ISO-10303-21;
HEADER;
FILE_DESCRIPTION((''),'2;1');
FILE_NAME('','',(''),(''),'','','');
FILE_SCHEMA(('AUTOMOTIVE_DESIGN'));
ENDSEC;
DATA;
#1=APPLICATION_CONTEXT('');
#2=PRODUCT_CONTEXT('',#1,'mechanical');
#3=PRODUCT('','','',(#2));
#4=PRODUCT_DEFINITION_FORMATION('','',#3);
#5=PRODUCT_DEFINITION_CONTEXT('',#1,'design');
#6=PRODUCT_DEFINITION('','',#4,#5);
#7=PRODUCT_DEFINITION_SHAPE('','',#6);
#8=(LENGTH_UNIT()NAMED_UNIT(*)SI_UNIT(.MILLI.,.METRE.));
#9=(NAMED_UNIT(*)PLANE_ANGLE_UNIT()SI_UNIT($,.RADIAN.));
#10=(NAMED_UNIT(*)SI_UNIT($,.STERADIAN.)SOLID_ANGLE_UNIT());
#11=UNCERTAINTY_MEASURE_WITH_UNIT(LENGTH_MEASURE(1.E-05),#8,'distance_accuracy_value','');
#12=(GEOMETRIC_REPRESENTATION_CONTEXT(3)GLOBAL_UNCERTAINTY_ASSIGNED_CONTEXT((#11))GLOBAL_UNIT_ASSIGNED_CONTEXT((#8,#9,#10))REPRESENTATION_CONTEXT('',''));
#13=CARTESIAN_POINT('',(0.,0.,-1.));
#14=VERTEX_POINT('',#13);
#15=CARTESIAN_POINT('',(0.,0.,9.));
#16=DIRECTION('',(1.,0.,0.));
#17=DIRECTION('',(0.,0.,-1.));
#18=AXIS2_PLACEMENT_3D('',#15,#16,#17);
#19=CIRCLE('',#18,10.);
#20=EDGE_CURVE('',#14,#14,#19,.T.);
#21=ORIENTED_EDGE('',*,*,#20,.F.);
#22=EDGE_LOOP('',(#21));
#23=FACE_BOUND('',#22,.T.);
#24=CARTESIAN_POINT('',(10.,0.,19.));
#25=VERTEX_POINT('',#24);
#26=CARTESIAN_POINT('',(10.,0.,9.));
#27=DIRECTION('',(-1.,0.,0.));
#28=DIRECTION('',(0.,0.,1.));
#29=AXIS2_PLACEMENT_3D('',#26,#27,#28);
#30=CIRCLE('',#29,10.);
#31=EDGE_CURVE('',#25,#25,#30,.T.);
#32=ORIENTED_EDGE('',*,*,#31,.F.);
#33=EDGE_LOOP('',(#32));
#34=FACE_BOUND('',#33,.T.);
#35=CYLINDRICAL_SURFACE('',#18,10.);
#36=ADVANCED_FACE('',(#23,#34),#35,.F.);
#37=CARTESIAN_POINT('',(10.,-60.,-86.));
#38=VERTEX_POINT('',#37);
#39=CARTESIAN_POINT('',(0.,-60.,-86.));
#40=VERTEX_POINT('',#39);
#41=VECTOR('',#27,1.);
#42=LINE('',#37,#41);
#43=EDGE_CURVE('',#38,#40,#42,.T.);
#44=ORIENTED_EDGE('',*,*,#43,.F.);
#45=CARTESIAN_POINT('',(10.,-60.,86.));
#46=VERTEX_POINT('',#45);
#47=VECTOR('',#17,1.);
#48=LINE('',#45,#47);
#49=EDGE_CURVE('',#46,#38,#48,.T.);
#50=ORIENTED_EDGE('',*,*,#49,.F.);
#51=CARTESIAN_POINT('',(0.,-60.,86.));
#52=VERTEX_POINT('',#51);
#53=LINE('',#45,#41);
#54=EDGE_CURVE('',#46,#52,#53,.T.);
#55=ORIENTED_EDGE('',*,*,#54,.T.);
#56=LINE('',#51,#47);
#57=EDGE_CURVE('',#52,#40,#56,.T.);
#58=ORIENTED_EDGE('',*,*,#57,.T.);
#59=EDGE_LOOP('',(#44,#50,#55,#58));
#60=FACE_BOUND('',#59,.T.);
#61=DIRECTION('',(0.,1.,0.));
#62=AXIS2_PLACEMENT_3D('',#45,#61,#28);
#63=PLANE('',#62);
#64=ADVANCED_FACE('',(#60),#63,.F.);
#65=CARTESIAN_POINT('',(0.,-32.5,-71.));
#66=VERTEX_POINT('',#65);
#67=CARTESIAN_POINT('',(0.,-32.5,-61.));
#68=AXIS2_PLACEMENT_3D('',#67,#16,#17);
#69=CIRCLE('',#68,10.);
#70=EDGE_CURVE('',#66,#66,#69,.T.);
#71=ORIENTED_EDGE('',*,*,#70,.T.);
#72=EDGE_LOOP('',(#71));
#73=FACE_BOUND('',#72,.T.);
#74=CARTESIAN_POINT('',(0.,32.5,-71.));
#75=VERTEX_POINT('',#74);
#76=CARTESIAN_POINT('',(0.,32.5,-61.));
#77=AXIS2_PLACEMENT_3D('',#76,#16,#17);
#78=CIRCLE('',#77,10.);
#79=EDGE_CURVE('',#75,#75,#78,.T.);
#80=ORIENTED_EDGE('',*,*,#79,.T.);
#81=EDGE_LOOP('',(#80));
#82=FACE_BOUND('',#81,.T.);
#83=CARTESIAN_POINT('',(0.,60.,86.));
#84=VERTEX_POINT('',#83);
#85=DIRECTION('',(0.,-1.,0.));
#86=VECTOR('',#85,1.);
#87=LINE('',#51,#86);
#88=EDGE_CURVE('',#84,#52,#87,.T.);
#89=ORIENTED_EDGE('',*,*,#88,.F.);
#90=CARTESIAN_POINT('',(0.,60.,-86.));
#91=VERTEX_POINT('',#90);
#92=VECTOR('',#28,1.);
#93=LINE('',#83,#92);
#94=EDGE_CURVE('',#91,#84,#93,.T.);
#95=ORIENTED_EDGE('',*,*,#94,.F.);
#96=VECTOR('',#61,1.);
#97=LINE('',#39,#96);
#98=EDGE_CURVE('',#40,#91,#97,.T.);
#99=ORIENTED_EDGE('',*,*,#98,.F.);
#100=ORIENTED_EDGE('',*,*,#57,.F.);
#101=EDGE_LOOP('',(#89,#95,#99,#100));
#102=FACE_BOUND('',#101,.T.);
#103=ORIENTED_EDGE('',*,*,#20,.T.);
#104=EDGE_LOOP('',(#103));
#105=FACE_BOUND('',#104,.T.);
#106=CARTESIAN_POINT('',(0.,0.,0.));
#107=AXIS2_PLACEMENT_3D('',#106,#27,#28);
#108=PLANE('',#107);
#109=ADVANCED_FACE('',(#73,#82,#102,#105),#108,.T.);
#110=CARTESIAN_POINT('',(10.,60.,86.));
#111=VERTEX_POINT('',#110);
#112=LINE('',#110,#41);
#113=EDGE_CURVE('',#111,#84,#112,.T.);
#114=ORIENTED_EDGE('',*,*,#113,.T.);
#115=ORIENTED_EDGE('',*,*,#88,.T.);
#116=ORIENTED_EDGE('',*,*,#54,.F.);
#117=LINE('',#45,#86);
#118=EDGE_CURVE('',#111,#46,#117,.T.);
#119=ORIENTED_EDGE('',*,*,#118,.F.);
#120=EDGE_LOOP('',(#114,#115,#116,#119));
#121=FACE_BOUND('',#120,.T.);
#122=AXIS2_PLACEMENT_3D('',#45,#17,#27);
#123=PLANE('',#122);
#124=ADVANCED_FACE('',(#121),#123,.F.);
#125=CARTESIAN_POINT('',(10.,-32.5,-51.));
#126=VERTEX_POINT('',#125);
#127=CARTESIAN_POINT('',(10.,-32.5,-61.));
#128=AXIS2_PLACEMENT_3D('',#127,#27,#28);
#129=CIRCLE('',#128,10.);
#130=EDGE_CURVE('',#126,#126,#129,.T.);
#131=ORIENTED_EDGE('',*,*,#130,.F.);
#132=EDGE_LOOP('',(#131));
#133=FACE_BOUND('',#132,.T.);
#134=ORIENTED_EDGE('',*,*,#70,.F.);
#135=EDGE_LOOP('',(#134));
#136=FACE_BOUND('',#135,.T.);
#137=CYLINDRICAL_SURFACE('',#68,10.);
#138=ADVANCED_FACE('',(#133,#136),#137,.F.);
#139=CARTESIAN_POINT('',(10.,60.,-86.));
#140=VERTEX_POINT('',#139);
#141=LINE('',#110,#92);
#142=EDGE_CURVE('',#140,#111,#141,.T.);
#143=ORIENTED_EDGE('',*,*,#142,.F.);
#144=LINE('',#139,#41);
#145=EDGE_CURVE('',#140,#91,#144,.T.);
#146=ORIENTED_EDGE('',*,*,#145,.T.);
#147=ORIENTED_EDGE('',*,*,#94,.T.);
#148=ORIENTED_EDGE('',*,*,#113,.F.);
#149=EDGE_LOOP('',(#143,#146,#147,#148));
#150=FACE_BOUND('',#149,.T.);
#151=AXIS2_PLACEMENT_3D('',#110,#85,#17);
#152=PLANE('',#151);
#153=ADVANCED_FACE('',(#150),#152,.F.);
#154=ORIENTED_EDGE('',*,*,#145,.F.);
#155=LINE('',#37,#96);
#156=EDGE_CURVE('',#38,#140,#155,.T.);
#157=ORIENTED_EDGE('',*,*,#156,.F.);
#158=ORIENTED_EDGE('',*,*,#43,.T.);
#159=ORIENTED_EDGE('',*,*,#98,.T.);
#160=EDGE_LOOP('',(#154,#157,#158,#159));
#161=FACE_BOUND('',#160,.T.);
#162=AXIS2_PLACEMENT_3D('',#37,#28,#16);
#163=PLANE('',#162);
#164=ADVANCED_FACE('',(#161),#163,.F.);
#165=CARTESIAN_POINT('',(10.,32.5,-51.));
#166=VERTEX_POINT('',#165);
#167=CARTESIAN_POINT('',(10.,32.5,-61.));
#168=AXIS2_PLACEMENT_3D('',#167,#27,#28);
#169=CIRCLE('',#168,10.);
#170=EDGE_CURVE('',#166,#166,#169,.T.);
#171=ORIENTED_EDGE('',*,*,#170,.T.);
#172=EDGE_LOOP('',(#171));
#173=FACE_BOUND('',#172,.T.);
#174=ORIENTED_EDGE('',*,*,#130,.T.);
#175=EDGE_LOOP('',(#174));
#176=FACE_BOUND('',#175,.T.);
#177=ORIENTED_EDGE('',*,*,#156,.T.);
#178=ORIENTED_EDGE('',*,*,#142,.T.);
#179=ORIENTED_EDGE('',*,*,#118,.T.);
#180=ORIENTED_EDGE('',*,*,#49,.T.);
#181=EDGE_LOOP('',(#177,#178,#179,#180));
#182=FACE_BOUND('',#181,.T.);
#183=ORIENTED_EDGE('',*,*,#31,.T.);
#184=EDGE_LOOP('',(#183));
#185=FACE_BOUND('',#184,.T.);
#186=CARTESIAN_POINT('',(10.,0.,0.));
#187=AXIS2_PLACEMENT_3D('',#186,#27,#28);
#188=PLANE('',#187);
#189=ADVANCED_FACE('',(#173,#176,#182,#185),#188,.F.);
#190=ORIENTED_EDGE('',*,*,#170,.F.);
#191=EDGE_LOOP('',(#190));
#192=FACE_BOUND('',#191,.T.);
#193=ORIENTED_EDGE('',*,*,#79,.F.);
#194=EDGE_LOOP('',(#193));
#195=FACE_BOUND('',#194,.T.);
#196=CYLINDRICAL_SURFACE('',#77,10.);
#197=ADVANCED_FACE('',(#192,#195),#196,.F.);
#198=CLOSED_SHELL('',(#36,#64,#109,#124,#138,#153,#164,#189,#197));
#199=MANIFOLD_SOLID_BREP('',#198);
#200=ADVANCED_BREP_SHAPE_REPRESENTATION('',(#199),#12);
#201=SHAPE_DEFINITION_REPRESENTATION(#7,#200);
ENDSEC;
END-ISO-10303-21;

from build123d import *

# Parameters (mm, degrees)
SKETCH1_W               = 172
SKETCH1_H               = 120
BOSS_EXTRUDE1_DEPTH     = 10
CUT_EXTRUDE1_DEPTH      = 106.337552658
CUT_EXTRUDE1_DEPTH_BACK = 106.337552658
SKETCH2_R               = 10


with BuildPart() as part:
    # Sketch1 → Boss-Extrude1 (new body)
    with BuildSketch(Plane(origin=(0, 0, 0), x_dir=(0, 0, -1), z_dir=(1, 0, 0))):
        Rectangle(SKETCH1_W, SKETCH1_H)
    extrude(amount=BOSS_EXTRUDE1_DEPTH)

    # Sketch2 → Cut-Extrude1 (cut, two sides: drawn at the far end of the back side and taken through both)
    with BuildSketch(Plane(origin=(10, 0, 0), x_dir=(0, 0, -1), z_dir=(1, 0, 0)).offset(-CUT_EXTRUDE1_DEPTH_BACK)):
        with Locations((-9, 0)):
            Circle(SKETCH2_R)
        with Locations((61, 32.5)):
            Circle(SKETCH2_R)
        with Locations((61, -32.5)):
            Circle(SKETCH2_R)
    extrude(amount=CUT_EXTRUDE1_DEPTH + CUT_EXTRUDE1_DEPTH_BACK, mode=Mode.SUBTRACT)


solid = part.part
